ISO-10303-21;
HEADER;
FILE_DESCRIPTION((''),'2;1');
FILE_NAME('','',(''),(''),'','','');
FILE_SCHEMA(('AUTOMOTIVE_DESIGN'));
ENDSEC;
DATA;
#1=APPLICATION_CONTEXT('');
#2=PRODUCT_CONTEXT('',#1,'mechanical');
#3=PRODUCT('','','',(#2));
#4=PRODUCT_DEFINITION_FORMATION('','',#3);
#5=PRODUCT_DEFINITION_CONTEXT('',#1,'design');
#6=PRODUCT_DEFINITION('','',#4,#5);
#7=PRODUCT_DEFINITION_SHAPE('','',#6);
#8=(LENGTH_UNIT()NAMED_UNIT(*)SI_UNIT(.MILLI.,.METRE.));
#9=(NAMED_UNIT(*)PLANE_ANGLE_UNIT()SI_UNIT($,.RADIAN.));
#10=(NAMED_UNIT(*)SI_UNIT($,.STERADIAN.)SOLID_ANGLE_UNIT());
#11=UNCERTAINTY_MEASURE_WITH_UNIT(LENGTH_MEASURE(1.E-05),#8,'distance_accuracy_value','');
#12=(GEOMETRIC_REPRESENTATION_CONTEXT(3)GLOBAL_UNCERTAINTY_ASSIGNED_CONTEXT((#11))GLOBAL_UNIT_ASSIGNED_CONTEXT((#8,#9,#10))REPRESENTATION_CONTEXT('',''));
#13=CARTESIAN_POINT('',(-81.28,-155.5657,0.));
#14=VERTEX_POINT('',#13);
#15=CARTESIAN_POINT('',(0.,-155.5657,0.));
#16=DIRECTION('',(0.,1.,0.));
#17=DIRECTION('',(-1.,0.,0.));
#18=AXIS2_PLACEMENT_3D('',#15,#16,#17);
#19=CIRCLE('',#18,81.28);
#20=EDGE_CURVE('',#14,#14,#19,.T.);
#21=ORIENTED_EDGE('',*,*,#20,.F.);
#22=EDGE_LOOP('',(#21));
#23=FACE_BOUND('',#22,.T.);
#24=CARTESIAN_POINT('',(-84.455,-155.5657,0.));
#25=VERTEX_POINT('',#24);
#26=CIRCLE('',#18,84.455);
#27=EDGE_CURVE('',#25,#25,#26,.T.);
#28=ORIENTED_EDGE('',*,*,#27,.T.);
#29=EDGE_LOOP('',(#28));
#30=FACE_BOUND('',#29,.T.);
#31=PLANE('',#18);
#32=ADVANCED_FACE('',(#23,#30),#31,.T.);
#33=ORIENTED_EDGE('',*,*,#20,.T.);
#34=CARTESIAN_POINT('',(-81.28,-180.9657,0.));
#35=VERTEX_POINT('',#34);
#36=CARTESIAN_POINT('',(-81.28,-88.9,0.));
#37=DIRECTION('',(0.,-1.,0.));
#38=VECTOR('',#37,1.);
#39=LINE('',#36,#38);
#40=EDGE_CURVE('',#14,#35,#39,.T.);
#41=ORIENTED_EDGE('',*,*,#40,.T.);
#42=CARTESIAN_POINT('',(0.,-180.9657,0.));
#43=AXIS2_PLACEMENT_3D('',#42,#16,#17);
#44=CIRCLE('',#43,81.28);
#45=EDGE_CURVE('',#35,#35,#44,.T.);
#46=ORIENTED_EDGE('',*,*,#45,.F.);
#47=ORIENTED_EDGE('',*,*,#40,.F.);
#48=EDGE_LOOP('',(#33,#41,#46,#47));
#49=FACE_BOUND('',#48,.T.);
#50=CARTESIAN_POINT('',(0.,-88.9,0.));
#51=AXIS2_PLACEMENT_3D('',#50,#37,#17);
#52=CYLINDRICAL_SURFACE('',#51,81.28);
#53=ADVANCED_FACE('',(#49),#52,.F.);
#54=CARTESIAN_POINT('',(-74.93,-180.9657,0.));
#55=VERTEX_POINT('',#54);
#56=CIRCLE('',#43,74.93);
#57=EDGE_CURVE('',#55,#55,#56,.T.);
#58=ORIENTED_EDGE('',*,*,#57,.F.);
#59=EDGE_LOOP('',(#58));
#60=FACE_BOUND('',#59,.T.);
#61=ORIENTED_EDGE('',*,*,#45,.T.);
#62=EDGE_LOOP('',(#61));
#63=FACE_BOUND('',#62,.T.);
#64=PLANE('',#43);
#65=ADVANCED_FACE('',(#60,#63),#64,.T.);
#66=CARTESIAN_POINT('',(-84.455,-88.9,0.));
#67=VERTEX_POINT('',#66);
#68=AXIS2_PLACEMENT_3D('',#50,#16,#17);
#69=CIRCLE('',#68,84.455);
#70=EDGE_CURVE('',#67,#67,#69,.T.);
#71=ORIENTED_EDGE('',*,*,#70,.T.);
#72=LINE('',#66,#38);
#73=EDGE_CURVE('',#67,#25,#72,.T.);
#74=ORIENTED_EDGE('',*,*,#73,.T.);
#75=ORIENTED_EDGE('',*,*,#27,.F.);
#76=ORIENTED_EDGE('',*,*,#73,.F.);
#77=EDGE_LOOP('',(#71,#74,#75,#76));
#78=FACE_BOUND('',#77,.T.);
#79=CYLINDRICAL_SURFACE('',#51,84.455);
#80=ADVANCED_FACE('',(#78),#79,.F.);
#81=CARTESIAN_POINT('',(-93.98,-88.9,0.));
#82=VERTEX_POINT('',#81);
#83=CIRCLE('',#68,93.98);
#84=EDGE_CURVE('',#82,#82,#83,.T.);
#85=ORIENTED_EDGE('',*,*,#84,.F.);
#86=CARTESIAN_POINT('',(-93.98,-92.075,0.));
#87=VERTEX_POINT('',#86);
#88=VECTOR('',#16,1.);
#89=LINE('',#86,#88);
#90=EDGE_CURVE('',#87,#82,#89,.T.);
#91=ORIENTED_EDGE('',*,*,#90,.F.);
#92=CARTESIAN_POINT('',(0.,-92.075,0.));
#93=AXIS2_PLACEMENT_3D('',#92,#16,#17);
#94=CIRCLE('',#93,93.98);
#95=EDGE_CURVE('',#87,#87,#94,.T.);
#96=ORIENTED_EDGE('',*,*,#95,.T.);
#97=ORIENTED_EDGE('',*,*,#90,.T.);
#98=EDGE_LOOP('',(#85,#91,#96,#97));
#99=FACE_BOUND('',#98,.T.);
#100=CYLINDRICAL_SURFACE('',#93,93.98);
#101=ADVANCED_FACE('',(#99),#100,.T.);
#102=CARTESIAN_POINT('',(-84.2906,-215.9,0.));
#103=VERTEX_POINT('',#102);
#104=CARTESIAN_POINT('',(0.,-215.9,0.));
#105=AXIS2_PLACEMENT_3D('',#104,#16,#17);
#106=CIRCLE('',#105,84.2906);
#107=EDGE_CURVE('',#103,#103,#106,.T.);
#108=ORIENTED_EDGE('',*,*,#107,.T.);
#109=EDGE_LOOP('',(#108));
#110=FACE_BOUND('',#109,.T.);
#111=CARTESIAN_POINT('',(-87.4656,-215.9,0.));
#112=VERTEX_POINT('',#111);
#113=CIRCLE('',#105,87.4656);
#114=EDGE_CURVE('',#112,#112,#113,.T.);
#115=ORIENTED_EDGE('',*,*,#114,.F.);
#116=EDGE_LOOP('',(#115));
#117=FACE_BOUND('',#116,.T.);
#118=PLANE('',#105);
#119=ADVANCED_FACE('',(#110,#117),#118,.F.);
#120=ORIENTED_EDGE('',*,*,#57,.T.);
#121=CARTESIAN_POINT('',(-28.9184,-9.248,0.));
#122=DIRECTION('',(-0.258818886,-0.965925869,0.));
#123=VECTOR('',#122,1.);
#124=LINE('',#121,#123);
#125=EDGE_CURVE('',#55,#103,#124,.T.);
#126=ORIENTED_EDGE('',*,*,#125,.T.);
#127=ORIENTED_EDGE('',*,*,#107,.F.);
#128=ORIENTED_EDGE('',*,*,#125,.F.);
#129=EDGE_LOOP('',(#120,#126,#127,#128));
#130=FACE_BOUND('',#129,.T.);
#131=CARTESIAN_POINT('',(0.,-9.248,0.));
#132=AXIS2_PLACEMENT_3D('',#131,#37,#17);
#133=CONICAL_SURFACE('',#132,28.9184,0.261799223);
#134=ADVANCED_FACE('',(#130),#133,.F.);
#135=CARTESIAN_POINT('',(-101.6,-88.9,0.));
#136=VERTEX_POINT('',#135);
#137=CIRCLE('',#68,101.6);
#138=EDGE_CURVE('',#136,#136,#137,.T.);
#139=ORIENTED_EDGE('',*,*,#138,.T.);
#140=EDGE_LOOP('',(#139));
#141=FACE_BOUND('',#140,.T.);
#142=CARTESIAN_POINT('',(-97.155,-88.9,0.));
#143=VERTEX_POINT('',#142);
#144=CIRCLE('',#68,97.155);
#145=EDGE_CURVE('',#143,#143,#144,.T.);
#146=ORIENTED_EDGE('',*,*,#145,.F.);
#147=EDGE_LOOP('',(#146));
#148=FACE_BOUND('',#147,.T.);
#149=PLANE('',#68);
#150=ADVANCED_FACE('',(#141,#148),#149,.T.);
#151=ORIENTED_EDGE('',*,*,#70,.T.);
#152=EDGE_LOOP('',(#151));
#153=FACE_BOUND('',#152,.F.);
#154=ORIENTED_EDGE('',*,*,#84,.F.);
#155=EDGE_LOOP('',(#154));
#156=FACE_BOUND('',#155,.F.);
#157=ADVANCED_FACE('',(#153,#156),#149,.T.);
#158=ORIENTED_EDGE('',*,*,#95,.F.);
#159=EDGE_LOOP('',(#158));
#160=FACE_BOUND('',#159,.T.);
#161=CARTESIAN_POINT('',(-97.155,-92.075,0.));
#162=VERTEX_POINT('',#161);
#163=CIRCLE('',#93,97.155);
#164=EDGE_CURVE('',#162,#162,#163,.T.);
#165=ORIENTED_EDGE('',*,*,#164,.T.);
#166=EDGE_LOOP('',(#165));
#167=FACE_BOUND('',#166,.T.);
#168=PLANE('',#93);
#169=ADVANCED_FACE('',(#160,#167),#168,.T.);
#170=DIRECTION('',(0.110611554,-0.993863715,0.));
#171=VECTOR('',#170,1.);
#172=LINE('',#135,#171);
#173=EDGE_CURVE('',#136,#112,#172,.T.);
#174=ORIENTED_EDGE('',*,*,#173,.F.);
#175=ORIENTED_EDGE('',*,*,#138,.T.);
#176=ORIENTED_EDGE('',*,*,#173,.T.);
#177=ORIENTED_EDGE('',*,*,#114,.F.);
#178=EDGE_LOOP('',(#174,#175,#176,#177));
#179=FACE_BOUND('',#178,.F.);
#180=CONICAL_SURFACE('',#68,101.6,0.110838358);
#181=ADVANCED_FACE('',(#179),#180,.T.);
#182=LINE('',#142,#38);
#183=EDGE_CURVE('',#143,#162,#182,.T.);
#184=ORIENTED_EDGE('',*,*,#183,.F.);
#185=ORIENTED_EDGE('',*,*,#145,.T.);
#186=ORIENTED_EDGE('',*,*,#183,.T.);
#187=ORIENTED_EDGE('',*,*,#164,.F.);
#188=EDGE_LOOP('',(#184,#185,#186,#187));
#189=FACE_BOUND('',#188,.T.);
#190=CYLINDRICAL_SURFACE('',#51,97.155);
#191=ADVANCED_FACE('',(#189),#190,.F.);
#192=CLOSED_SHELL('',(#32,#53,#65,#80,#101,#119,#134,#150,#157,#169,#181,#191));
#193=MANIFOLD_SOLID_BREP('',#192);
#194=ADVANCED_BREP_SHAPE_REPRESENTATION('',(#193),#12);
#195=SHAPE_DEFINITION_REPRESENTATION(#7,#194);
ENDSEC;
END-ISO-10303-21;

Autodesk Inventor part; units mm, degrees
ref_plane "YZ Plane" through (0, 0, 0) normal (1, 0, 0) x (0, 1, 0)
ref_plane "XZ Plane" through (0, 0, 0) normal (0, 1, 0) x (-1, 0, 0)
ref_plane "XY Plane" through (0, 0, 0) normal (0, 0, 1) x (1, 0, 0)
sketch "Sketch1" plane through (0, 0, 0) normal (0, 0, 1) x (1, 0, 0)
  line L0 (0, 25.4) -> (-28.702, 25.4) construction
  line L1 (0, 25.4) -> (-93.98, 25.4) construction
  line L2 (-93.98, 25.4) -> (-90.805, 25.4) construction
  line L3 (-90.805, 25.4) -> (-84.455, 22.4389) construction
  line L4 (-90.805, 25.4) -> (-90.805, 22.4389) construction
  line L5 (-90.805, 0) -> (-93.98, 0)
  line L6 (-28.702, 59.6457) -> (-28.702, -91.9304) construction
  arc A0 (-28.9184, -9.248) -> (-32.3684, -1.8494) centre (-35.052, -7.6045) ccw
  line L7 (-74.93, -180.9657) -> (-28.702, -8.4405)
  line L8 (-90.805, 25.4) -> (-90.805, 0)
  line L9 (-90.805, 25.4) -> (-32.3684, -1.8494)
  line L10 (-28.702, -7.6045) -> (-60.452, -7.6045) construction
  line L11 (-60.452, -126.9331) -> (-54.102, -126.9331) construction
  line L12 (-54.102, -126.9331) -> (-54.102, -103.2346) construction
  line L13 (-54.102, -103.2346) -> (-60.452, -103.2346)
  line L14 (-60.452, 11.2462) -> (-60.452, 1.7212) construction
  line L15 (-60.452, 11.2462) -> (-60.452, 4.7154) construction
  line L16 (-60.452, 4.7154) -> (-46.4468, 4.7154)
  line L17 (-93.98, 0) -> (-93.98, -12.7) construction
  line L18 (-60.452, -12.7) -> (-73.152, -12.7) construction
  line L19 (-93.98, -12.7) -> (-93.98, -25.4) construction
  line L20 (-93.98, -25.4) -> (-93.98, -88.9) construction
  line L21 (-93.98, -88.9) -> (-81.28, -88.9) construction
  line L22 (-81.28, -88.9) -> (-81.28, -25.4) construction
  line L23 (-93.98, -25.4) -> (-81.28, -25.4)
  line L24 (-81.28, -25.4) -> (-81.28, -88.9)
  line L25 (-81.28, -88.9) -> (-93.98, -88.9)
  line L26 (-93.98, -12.7) -> (-73.152, -12.7)
  line L27 (-73.152, -138.7824) -> (-63.627, -138.7824)
  line L28 (-81.28, -88.9) -> (-81.28, -180.9657)
  line L29 (-81.28, -180.9657) -> (-74.93, -180.9657)
  line L30 (-73.152, -12.7) -> (-73.152, -138.7824)
  line L31 (-87.63, -25.4) -> (-87.63, -31.3436)
  line L32 (-87.63, -31.3436) -> (-93.98, -31.3436)
  line L33 (-93.98, 0) -> (-93.98, -25.4)
  line L34 (-93.98, -31.3436) -> (-93.98, -88.9)
  line L35 (-28.9184, -9.248) -> (-84.2906, -215.9)
  line L36 (-84.2906, -215.9) -> (-87.4656, -215.9)
  line L37 (-66.802, -38.1) -> (-73.152, -38.1)
  line L38 (-66.802, -38.1) -> (-66.802, 4.7154)
  line L39 (-66.802, 4.7154) -> (-60.452, 4.7154)
  line L40 (-66.802, -38.1) -> (-60.452, -103.2346)
  line L41 (-60.452, 11.2462) -> (-60.452, 4.7154) construction
  line L42 (-60.452, -7.6045) -> (-60.452, -12.7) construction
  line L43 (-60.452, -103.2346) -> (-60.452, -126.9331) construction
  line L44 (0, -319.0244) -> (0, 122.7573) projected
  line L45 (0, -88.9) -> (-101.6, -88.9) construction
  line L46 (-101.6, -88.9) -> (-87.4656, -215.9)
  line L47 (-97.155, -88.9) -> (-97.155, -92.075)
  line L48 (-97.155, -92.075) -> (-93.98, -92.075)
  line L49 (-93.98, -92.075) -> (-93.98, -88.9)
  line L50 (-101.6, -88.9) -> (-97.155, -88.9)
  line L51 (-93.98, -88.9) -> (-81.28, -88.9)
  line L52 (-84.455, -88.9) -> (-84.455, -155.5657)
  line L53 (-84.455, -155.5657) -> (-81.28, -155.5657)
  point P0 (0, 0)
  point P1 (-93.98, -255.9127)
  point P2 (-88.7095, 22.4389)
  dimension "d0" = 28.702
  dimension "d1" = 93.98
  dimension "d2" = 3.175
  dimension "d3" = 25
  dimension "d5" = 25.4
  dimension "d6" = 25.4
  dimension "d8" = 12.7
  dimension "d12" = 31.75
  dimension "d13" = 6.35
  dimension "d16" = 12.7
  dimension "d17" = 12.7
  dimension "d18" = 12.7
  dimension "d19" = 63.5
  dimension "d20" = 12.7
  dimension "d22" = 9.525
  dimension "d23" = 6.35
  dimension "d25" = 5.9436
  dimension "d27" = 3.175
  dimension "d30" = 107.95
  dimension "d31" = 6.35
  dimension "d32" = 25.4
  dimension "d33" = 20.3552
  dimension "d34" = 15
  dimension "d36" = 101.6
  dimension "d37" = 127
  dimension "d38" = 3.175
  dimension "d39" = 3.175
  dimension "d42" = 3.175
  dimension "d43" = 25.4
revolve "Revolution2" add sketch "Sketch1" angle 360 about axis through (0, -10, 0) along (0, 1, 0) contours L35 L36 L46 L50 L47 L48 L49 L25 L52 L53 L28 L29
thread "Thread1" size "10-24 UNC" class "2B" standard "ANSI Unified Screw Threads" full length
properties part number "aluminum_skirt" material "Aluminum 6061"
